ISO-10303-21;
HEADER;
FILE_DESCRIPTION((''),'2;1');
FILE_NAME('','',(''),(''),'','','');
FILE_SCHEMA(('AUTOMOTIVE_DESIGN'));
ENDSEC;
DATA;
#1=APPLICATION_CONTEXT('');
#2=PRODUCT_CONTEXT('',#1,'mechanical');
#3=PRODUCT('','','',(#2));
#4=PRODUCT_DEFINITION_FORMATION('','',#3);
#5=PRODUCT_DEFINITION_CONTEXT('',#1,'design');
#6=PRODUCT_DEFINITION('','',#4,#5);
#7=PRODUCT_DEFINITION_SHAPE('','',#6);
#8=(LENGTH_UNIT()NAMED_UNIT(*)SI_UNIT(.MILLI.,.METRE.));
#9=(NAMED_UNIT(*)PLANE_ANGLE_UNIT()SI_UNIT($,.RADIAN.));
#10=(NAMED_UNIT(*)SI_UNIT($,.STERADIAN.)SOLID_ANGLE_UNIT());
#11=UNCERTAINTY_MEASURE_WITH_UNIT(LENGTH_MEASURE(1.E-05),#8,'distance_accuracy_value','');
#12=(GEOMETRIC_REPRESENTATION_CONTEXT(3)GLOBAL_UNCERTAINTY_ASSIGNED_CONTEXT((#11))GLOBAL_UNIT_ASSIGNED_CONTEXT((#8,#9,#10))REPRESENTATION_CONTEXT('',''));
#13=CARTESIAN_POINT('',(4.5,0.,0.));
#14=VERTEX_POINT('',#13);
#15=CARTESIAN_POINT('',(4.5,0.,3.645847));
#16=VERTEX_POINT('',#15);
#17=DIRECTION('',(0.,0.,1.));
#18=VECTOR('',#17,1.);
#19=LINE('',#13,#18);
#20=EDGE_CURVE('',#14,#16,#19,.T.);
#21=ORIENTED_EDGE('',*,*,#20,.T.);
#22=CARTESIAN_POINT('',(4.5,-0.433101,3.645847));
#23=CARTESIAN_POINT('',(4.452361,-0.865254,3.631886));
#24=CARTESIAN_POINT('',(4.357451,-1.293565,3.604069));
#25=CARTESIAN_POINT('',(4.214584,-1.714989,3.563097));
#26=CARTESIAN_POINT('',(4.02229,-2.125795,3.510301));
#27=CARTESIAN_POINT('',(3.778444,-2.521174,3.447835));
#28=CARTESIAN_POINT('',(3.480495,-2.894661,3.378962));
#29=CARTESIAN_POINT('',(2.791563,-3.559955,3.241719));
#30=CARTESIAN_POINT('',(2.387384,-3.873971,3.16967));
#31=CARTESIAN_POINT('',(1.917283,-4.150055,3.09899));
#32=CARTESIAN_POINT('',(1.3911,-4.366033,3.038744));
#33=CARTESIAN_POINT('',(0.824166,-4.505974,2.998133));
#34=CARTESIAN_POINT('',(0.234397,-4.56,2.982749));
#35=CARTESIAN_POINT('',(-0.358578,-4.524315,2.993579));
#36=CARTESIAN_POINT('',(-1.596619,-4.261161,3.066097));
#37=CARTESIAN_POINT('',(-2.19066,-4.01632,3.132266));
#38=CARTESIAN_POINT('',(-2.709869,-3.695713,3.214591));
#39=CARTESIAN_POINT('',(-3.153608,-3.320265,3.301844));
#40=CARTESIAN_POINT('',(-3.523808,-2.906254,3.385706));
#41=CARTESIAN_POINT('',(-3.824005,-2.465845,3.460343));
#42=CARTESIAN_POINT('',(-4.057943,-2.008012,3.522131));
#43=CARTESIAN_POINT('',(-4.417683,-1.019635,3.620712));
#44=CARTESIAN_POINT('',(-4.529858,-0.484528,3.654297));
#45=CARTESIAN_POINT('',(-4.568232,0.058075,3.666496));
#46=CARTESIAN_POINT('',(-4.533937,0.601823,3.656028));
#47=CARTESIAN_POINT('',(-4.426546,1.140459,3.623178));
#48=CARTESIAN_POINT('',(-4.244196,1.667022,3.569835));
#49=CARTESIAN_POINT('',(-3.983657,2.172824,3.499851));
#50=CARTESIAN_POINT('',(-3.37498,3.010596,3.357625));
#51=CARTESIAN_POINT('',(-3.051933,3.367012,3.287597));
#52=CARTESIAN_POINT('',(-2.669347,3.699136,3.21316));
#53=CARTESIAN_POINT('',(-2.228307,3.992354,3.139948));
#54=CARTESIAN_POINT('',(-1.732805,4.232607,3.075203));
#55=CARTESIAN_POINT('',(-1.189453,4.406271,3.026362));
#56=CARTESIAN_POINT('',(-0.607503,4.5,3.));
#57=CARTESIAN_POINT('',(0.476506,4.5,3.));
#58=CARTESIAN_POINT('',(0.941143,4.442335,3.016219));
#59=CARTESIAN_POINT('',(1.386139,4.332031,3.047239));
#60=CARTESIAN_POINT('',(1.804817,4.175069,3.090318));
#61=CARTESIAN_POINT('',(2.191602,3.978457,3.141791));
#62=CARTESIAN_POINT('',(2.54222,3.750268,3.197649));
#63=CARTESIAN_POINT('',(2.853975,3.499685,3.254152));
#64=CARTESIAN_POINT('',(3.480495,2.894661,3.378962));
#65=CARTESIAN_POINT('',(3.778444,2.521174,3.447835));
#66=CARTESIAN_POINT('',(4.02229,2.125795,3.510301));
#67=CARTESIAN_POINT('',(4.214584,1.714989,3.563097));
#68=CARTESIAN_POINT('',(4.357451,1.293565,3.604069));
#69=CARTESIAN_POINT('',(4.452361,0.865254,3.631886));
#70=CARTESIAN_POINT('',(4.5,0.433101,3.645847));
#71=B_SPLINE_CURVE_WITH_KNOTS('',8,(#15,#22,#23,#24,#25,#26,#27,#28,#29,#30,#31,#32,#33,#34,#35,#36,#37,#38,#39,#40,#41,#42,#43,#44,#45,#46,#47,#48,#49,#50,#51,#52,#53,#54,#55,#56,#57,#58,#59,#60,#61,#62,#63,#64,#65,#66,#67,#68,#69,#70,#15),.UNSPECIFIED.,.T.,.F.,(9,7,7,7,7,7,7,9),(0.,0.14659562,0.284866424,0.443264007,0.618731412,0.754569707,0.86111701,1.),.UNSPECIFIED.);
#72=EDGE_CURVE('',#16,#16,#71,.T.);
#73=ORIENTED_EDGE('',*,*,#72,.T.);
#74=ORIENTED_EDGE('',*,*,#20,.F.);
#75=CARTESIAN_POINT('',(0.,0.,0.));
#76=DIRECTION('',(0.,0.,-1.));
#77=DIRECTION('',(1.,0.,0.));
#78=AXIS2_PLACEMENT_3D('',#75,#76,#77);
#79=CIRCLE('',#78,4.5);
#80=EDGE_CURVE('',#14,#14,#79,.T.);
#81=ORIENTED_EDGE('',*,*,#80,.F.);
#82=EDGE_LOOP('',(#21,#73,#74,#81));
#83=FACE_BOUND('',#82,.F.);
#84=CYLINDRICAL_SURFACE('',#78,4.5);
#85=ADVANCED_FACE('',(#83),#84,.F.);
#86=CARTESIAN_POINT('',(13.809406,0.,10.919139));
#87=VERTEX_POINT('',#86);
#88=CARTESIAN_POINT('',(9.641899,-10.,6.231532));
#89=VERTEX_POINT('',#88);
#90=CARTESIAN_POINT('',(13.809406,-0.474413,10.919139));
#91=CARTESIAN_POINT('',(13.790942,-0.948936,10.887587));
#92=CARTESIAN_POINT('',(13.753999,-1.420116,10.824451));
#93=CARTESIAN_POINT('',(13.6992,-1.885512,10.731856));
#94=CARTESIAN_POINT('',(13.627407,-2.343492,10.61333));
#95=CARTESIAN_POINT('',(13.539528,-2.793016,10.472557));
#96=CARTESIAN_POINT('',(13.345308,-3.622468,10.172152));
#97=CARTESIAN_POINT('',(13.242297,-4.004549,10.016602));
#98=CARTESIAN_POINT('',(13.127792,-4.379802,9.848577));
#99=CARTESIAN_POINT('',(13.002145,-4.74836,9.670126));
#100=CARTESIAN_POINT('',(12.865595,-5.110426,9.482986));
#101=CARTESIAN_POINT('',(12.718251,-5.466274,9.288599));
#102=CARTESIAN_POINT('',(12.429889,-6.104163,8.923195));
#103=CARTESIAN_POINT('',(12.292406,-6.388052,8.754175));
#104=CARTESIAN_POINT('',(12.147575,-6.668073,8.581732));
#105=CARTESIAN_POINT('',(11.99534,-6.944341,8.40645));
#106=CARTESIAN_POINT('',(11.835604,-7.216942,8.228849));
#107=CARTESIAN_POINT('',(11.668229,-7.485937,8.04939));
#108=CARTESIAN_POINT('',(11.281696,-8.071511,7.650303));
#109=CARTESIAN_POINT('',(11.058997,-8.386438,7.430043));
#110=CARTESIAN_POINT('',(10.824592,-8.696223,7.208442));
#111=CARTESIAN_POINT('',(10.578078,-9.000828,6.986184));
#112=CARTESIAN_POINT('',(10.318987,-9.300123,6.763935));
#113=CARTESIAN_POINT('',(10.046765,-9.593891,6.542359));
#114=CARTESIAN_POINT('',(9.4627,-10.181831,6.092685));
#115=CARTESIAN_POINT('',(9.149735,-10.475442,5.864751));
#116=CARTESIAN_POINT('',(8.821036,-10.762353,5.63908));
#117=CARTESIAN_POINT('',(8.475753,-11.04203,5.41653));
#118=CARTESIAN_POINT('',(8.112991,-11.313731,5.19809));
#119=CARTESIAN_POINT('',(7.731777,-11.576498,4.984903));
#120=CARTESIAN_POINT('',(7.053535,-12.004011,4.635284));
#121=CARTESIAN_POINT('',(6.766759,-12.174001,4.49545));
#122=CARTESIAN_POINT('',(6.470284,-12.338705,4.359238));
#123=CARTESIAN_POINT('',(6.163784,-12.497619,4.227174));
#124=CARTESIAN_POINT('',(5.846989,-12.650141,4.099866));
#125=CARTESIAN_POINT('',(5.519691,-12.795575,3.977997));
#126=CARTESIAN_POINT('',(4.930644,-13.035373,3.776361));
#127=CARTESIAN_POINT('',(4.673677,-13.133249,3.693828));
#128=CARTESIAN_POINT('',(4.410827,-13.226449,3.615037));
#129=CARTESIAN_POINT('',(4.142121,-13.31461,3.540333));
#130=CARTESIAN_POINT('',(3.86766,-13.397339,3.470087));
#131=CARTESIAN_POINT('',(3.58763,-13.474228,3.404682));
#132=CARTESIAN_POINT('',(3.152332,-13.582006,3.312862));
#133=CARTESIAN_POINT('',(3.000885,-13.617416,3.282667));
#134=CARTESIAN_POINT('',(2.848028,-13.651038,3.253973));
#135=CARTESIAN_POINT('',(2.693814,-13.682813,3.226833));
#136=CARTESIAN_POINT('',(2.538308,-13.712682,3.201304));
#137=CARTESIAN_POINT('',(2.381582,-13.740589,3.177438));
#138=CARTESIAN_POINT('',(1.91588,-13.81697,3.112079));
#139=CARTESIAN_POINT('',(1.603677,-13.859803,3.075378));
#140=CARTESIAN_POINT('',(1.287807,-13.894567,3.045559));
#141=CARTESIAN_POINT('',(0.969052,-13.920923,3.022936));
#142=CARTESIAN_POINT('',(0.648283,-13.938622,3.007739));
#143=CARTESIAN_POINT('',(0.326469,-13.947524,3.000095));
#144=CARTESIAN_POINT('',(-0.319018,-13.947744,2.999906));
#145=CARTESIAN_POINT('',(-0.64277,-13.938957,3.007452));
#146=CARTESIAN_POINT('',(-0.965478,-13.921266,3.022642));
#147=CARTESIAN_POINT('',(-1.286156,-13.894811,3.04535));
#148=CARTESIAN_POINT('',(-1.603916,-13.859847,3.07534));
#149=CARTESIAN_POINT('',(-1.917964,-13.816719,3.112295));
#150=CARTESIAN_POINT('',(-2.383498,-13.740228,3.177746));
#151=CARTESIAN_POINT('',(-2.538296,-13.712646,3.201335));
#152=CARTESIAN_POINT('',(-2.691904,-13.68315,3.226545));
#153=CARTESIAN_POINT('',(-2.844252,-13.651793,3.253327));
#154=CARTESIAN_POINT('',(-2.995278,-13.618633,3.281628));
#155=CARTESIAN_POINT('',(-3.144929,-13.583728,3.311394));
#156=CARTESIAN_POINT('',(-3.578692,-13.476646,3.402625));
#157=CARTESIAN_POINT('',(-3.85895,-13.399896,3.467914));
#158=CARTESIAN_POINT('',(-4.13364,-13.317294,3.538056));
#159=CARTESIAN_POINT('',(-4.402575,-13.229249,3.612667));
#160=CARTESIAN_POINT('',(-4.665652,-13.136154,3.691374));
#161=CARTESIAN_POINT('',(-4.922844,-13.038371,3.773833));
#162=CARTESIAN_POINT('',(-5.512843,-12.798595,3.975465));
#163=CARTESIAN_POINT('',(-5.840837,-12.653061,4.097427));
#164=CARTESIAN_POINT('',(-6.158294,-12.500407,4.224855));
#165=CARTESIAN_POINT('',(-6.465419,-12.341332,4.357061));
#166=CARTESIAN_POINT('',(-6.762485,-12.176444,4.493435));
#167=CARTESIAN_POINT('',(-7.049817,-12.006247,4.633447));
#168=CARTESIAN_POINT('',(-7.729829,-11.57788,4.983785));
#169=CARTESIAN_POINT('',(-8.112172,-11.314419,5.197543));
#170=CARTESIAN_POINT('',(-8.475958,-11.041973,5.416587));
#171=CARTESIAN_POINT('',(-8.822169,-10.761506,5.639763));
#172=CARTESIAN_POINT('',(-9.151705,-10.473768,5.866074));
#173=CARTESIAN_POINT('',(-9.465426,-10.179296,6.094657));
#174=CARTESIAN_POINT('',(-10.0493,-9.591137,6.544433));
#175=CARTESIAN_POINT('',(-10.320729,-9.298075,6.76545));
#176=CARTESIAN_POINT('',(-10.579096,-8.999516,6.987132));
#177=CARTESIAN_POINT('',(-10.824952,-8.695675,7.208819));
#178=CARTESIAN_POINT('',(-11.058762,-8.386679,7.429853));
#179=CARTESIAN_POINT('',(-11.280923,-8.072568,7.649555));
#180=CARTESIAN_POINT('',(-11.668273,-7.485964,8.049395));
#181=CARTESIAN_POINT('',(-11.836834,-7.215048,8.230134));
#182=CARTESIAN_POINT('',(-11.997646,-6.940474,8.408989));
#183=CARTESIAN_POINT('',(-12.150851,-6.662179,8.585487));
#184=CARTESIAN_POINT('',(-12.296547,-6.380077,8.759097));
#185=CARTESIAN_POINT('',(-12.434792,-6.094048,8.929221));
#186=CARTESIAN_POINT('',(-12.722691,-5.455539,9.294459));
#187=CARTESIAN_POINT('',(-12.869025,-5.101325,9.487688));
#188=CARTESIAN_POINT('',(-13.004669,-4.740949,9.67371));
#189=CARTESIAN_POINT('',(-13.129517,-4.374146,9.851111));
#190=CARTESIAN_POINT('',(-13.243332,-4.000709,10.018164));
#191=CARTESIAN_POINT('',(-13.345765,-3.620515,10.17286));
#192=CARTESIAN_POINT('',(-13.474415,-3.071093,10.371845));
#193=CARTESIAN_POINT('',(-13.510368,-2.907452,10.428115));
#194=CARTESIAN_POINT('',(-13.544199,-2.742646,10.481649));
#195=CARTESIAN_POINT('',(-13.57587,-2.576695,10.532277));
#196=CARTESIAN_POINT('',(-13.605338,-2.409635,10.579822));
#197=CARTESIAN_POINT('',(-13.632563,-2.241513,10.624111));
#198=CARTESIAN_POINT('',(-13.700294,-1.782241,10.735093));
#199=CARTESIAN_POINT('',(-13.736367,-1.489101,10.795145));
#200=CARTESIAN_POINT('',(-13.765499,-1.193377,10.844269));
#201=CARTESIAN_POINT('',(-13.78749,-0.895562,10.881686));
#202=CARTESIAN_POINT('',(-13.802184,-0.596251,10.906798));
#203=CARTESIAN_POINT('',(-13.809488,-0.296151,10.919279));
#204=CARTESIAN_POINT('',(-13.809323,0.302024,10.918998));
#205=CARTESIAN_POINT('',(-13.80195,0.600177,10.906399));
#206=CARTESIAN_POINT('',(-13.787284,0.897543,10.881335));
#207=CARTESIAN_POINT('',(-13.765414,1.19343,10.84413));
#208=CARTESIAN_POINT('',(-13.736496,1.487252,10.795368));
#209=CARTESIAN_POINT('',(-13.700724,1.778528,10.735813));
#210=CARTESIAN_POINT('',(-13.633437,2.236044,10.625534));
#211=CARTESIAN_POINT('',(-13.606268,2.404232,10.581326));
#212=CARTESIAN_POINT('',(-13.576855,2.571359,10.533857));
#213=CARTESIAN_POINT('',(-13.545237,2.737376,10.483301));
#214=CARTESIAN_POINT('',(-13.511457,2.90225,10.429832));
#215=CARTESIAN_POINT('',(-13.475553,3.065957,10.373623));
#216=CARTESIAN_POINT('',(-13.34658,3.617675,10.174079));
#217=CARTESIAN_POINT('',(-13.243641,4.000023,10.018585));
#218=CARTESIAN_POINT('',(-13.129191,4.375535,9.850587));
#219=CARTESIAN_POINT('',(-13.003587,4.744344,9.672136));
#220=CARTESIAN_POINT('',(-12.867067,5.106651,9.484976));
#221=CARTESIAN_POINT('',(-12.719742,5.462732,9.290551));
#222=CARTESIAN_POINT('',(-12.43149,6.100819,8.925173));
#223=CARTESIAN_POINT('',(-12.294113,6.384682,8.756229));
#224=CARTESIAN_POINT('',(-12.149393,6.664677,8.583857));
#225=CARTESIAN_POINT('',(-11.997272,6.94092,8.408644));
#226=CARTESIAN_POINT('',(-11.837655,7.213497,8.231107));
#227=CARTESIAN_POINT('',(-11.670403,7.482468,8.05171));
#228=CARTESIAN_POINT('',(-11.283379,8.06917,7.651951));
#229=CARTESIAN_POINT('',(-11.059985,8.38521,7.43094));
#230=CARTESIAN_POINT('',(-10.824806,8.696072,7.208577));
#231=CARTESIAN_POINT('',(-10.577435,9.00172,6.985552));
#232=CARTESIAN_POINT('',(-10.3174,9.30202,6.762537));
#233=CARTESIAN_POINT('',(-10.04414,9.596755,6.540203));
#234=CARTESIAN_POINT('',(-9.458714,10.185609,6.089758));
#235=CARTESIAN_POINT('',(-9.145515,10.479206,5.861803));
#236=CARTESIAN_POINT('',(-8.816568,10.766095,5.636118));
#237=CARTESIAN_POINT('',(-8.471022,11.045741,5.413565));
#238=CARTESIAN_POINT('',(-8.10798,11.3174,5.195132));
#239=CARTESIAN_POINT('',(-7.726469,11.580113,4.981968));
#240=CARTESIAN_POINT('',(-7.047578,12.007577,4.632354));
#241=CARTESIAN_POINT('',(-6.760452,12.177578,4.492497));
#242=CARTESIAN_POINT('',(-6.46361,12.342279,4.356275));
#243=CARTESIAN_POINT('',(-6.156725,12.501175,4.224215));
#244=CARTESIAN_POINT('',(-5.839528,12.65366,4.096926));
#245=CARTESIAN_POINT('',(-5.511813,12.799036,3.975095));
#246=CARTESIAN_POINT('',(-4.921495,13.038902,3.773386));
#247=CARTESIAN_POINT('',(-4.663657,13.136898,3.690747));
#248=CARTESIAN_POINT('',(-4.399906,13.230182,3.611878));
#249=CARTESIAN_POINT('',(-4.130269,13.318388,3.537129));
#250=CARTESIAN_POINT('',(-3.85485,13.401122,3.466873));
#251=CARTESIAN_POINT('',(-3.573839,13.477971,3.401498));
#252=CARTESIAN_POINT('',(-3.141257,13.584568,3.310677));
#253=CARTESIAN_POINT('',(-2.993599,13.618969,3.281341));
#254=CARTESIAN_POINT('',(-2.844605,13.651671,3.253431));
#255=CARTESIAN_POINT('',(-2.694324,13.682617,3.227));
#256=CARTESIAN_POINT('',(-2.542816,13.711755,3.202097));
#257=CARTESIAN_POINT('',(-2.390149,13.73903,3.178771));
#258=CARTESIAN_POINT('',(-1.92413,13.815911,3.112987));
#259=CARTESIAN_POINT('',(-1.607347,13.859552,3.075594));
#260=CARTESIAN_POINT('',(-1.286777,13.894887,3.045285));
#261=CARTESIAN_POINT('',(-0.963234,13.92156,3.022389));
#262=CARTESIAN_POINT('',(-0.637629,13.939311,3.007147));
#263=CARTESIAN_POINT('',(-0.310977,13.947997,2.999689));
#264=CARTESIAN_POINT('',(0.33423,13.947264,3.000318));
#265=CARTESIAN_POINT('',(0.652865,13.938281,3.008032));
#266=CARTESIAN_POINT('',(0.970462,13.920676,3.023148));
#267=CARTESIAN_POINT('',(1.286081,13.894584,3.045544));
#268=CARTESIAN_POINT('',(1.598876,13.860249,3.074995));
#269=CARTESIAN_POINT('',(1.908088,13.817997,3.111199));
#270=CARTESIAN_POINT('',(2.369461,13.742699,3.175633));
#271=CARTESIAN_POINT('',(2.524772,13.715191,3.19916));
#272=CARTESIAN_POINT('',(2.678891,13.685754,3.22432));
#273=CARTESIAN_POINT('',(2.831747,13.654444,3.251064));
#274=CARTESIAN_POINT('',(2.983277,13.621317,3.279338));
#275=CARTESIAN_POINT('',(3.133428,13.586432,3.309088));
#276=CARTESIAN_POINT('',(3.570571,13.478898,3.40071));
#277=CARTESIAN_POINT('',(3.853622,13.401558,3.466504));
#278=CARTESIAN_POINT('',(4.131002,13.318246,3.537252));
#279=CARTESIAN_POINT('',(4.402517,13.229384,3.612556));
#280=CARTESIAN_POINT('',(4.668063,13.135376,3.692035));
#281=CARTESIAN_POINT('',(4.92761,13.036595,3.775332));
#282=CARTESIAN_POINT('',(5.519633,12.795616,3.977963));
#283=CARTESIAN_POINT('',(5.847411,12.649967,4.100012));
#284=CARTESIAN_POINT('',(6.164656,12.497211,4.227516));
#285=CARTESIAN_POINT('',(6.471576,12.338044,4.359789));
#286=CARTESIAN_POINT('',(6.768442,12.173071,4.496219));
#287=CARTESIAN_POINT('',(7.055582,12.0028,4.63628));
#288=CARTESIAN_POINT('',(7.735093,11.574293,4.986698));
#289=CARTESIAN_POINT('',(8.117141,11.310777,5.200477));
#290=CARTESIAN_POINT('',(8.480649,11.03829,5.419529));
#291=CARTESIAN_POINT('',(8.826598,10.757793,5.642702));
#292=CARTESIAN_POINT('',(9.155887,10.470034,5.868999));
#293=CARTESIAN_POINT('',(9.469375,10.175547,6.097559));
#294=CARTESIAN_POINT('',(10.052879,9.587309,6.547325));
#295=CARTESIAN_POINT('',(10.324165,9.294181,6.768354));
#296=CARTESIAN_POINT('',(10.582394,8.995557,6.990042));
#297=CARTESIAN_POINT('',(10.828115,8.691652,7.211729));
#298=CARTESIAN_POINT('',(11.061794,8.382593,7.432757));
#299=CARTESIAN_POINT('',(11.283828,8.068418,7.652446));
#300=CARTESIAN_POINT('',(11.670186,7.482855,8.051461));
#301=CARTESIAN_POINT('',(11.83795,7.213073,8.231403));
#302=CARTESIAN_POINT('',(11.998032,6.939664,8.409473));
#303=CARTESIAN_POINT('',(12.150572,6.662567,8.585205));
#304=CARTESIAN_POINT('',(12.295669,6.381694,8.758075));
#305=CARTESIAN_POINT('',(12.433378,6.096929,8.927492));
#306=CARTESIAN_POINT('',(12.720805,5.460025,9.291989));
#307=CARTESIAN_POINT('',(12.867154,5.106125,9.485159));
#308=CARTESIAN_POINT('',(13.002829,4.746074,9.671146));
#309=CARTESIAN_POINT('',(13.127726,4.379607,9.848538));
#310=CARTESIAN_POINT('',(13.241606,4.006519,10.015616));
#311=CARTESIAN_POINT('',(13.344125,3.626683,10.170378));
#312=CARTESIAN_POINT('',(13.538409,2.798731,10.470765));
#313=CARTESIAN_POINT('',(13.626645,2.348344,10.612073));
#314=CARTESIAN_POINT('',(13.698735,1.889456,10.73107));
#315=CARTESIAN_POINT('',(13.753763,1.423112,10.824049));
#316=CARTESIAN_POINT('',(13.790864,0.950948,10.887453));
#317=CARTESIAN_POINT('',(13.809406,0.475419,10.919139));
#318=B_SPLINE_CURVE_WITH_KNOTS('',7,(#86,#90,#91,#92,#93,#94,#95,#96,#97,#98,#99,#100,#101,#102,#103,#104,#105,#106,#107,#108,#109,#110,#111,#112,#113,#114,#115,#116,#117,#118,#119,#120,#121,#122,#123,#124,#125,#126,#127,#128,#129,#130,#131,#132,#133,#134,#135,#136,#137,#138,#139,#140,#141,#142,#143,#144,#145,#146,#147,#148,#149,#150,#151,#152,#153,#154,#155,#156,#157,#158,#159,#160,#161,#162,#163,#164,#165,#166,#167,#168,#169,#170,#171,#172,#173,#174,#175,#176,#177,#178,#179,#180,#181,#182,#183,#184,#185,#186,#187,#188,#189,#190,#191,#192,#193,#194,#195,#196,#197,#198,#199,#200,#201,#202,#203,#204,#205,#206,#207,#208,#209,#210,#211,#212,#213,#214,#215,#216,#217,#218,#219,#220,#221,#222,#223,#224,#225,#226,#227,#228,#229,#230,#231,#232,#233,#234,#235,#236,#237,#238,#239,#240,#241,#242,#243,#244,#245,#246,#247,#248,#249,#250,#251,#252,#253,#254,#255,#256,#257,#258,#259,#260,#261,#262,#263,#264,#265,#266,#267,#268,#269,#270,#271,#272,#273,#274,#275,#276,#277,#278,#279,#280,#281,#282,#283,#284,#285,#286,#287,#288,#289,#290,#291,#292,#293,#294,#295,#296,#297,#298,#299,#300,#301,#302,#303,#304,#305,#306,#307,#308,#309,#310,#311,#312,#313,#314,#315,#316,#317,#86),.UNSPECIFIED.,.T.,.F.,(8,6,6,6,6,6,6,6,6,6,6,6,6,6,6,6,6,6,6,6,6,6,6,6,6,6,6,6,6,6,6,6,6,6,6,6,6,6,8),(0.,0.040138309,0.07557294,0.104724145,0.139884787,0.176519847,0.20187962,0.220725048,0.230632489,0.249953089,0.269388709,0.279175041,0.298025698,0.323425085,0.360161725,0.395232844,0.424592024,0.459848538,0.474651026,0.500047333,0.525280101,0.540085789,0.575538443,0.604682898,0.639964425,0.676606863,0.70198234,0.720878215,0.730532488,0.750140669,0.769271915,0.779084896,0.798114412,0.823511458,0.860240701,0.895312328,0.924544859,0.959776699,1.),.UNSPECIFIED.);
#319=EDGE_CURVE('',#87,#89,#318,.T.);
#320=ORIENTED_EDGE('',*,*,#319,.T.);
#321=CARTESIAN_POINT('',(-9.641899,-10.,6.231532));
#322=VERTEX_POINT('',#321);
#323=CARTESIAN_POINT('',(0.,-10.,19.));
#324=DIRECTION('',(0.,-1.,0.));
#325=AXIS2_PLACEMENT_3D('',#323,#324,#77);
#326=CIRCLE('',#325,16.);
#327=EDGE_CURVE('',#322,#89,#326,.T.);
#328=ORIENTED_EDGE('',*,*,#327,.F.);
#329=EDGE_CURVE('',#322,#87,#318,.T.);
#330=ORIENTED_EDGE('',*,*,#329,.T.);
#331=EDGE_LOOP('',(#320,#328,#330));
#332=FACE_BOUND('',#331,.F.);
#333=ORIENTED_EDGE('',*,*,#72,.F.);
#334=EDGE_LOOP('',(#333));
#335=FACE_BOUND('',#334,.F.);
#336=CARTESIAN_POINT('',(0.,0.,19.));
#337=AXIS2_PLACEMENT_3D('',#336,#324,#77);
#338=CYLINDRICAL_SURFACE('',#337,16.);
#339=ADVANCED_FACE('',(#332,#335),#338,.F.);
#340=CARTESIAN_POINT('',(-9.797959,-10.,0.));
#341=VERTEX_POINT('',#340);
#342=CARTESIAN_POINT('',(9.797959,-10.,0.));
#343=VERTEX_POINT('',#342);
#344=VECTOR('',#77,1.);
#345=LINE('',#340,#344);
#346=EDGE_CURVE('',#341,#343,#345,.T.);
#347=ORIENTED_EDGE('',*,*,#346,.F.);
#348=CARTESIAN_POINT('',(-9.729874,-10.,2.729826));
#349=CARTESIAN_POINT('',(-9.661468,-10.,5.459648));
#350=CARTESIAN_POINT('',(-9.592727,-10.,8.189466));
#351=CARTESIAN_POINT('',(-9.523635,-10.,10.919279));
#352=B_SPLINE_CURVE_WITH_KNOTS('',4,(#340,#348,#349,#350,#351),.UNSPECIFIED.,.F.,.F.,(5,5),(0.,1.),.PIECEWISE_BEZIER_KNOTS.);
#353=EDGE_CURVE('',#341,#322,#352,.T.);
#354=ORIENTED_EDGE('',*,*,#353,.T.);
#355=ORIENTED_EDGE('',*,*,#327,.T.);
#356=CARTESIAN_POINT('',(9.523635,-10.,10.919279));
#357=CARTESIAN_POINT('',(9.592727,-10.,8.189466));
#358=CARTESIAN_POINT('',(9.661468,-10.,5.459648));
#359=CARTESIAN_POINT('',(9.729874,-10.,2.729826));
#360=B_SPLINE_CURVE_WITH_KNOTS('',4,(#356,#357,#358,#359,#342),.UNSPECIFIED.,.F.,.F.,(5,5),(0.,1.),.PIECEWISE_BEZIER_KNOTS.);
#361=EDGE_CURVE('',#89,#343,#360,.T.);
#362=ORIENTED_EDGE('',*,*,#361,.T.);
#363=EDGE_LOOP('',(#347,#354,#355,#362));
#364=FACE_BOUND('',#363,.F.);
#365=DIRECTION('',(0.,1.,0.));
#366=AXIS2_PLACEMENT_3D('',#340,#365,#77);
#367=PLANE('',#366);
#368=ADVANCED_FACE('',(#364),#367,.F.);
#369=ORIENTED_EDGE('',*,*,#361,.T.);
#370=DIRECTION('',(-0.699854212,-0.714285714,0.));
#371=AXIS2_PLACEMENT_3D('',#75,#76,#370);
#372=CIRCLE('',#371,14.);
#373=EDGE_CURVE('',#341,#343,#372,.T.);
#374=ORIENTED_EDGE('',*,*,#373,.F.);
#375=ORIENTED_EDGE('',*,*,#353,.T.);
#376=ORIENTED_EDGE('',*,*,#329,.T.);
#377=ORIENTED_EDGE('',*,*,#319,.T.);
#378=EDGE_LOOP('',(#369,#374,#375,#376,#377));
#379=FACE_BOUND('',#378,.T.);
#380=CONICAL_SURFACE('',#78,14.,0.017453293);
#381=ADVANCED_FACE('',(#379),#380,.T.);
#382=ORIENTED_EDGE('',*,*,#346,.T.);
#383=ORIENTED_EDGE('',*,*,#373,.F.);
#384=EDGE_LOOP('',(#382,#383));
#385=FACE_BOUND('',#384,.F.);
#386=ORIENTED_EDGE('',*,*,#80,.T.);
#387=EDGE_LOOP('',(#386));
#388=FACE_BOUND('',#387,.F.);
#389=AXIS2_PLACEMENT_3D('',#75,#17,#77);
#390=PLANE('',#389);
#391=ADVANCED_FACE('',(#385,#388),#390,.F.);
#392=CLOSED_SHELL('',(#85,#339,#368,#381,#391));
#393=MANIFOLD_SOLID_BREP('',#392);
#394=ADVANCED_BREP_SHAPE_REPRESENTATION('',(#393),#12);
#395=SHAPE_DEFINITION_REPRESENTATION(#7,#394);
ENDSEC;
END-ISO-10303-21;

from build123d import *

# Parameters (mm, degrees)
F0_R     = 14
F1_DEPTH = 12
F1_TAPER = 1
F2_R     = 16
F3_DEPTH = 16
F4_R     = 4.5
F5_DEPTH = 5
F7_DEPTH = 10.9201391502


with BuildPart() as f1:
    # F0 (on Top) → F1 (new body)
    with BuildSketch(Plane.XY):
        Circle(F0_R)
    extrude(amount=F1_DEPTH, taper=F1_TAPER)

    # F2 (on Front) → F3 (cut, symmetric)
    with BuildSketch(Plane.XZ):
        with Locations((0, 19)):
            Circle(F2_R)
    extrude(amount=F3_DEPTH, both=True, mode=Mode.SUBTRACT)

    # F4 (on face) → F5 (cut)
    with BuildSketch(Plane(origin=(0, 0, 0), x_dir=(1, 0, 0), z_dir=(0, 0, -1))):
        Circle(F4_R)
    extrude(amount=-F5_DEPTH, mode=Mode.SUBTRACT)

    # F6 (on face) → F7 (cut, through all)
    with BuildSketch(Plane(origin=(0, 0, 0), x_dir=(1, 0, 0), z_dir=(0, 0, -1))):
        with BuildLine():
            ThreePointArc((9.7979589711, 10), (0, 14), (-9.7979589711, 10))
            Line((-9.7979589711, 10), (9.7979589711, 10))
        make_face()
    extrude(amount=-F7_DEPTH, mode=Mode.SUBTRACT)


solid = f1.part
